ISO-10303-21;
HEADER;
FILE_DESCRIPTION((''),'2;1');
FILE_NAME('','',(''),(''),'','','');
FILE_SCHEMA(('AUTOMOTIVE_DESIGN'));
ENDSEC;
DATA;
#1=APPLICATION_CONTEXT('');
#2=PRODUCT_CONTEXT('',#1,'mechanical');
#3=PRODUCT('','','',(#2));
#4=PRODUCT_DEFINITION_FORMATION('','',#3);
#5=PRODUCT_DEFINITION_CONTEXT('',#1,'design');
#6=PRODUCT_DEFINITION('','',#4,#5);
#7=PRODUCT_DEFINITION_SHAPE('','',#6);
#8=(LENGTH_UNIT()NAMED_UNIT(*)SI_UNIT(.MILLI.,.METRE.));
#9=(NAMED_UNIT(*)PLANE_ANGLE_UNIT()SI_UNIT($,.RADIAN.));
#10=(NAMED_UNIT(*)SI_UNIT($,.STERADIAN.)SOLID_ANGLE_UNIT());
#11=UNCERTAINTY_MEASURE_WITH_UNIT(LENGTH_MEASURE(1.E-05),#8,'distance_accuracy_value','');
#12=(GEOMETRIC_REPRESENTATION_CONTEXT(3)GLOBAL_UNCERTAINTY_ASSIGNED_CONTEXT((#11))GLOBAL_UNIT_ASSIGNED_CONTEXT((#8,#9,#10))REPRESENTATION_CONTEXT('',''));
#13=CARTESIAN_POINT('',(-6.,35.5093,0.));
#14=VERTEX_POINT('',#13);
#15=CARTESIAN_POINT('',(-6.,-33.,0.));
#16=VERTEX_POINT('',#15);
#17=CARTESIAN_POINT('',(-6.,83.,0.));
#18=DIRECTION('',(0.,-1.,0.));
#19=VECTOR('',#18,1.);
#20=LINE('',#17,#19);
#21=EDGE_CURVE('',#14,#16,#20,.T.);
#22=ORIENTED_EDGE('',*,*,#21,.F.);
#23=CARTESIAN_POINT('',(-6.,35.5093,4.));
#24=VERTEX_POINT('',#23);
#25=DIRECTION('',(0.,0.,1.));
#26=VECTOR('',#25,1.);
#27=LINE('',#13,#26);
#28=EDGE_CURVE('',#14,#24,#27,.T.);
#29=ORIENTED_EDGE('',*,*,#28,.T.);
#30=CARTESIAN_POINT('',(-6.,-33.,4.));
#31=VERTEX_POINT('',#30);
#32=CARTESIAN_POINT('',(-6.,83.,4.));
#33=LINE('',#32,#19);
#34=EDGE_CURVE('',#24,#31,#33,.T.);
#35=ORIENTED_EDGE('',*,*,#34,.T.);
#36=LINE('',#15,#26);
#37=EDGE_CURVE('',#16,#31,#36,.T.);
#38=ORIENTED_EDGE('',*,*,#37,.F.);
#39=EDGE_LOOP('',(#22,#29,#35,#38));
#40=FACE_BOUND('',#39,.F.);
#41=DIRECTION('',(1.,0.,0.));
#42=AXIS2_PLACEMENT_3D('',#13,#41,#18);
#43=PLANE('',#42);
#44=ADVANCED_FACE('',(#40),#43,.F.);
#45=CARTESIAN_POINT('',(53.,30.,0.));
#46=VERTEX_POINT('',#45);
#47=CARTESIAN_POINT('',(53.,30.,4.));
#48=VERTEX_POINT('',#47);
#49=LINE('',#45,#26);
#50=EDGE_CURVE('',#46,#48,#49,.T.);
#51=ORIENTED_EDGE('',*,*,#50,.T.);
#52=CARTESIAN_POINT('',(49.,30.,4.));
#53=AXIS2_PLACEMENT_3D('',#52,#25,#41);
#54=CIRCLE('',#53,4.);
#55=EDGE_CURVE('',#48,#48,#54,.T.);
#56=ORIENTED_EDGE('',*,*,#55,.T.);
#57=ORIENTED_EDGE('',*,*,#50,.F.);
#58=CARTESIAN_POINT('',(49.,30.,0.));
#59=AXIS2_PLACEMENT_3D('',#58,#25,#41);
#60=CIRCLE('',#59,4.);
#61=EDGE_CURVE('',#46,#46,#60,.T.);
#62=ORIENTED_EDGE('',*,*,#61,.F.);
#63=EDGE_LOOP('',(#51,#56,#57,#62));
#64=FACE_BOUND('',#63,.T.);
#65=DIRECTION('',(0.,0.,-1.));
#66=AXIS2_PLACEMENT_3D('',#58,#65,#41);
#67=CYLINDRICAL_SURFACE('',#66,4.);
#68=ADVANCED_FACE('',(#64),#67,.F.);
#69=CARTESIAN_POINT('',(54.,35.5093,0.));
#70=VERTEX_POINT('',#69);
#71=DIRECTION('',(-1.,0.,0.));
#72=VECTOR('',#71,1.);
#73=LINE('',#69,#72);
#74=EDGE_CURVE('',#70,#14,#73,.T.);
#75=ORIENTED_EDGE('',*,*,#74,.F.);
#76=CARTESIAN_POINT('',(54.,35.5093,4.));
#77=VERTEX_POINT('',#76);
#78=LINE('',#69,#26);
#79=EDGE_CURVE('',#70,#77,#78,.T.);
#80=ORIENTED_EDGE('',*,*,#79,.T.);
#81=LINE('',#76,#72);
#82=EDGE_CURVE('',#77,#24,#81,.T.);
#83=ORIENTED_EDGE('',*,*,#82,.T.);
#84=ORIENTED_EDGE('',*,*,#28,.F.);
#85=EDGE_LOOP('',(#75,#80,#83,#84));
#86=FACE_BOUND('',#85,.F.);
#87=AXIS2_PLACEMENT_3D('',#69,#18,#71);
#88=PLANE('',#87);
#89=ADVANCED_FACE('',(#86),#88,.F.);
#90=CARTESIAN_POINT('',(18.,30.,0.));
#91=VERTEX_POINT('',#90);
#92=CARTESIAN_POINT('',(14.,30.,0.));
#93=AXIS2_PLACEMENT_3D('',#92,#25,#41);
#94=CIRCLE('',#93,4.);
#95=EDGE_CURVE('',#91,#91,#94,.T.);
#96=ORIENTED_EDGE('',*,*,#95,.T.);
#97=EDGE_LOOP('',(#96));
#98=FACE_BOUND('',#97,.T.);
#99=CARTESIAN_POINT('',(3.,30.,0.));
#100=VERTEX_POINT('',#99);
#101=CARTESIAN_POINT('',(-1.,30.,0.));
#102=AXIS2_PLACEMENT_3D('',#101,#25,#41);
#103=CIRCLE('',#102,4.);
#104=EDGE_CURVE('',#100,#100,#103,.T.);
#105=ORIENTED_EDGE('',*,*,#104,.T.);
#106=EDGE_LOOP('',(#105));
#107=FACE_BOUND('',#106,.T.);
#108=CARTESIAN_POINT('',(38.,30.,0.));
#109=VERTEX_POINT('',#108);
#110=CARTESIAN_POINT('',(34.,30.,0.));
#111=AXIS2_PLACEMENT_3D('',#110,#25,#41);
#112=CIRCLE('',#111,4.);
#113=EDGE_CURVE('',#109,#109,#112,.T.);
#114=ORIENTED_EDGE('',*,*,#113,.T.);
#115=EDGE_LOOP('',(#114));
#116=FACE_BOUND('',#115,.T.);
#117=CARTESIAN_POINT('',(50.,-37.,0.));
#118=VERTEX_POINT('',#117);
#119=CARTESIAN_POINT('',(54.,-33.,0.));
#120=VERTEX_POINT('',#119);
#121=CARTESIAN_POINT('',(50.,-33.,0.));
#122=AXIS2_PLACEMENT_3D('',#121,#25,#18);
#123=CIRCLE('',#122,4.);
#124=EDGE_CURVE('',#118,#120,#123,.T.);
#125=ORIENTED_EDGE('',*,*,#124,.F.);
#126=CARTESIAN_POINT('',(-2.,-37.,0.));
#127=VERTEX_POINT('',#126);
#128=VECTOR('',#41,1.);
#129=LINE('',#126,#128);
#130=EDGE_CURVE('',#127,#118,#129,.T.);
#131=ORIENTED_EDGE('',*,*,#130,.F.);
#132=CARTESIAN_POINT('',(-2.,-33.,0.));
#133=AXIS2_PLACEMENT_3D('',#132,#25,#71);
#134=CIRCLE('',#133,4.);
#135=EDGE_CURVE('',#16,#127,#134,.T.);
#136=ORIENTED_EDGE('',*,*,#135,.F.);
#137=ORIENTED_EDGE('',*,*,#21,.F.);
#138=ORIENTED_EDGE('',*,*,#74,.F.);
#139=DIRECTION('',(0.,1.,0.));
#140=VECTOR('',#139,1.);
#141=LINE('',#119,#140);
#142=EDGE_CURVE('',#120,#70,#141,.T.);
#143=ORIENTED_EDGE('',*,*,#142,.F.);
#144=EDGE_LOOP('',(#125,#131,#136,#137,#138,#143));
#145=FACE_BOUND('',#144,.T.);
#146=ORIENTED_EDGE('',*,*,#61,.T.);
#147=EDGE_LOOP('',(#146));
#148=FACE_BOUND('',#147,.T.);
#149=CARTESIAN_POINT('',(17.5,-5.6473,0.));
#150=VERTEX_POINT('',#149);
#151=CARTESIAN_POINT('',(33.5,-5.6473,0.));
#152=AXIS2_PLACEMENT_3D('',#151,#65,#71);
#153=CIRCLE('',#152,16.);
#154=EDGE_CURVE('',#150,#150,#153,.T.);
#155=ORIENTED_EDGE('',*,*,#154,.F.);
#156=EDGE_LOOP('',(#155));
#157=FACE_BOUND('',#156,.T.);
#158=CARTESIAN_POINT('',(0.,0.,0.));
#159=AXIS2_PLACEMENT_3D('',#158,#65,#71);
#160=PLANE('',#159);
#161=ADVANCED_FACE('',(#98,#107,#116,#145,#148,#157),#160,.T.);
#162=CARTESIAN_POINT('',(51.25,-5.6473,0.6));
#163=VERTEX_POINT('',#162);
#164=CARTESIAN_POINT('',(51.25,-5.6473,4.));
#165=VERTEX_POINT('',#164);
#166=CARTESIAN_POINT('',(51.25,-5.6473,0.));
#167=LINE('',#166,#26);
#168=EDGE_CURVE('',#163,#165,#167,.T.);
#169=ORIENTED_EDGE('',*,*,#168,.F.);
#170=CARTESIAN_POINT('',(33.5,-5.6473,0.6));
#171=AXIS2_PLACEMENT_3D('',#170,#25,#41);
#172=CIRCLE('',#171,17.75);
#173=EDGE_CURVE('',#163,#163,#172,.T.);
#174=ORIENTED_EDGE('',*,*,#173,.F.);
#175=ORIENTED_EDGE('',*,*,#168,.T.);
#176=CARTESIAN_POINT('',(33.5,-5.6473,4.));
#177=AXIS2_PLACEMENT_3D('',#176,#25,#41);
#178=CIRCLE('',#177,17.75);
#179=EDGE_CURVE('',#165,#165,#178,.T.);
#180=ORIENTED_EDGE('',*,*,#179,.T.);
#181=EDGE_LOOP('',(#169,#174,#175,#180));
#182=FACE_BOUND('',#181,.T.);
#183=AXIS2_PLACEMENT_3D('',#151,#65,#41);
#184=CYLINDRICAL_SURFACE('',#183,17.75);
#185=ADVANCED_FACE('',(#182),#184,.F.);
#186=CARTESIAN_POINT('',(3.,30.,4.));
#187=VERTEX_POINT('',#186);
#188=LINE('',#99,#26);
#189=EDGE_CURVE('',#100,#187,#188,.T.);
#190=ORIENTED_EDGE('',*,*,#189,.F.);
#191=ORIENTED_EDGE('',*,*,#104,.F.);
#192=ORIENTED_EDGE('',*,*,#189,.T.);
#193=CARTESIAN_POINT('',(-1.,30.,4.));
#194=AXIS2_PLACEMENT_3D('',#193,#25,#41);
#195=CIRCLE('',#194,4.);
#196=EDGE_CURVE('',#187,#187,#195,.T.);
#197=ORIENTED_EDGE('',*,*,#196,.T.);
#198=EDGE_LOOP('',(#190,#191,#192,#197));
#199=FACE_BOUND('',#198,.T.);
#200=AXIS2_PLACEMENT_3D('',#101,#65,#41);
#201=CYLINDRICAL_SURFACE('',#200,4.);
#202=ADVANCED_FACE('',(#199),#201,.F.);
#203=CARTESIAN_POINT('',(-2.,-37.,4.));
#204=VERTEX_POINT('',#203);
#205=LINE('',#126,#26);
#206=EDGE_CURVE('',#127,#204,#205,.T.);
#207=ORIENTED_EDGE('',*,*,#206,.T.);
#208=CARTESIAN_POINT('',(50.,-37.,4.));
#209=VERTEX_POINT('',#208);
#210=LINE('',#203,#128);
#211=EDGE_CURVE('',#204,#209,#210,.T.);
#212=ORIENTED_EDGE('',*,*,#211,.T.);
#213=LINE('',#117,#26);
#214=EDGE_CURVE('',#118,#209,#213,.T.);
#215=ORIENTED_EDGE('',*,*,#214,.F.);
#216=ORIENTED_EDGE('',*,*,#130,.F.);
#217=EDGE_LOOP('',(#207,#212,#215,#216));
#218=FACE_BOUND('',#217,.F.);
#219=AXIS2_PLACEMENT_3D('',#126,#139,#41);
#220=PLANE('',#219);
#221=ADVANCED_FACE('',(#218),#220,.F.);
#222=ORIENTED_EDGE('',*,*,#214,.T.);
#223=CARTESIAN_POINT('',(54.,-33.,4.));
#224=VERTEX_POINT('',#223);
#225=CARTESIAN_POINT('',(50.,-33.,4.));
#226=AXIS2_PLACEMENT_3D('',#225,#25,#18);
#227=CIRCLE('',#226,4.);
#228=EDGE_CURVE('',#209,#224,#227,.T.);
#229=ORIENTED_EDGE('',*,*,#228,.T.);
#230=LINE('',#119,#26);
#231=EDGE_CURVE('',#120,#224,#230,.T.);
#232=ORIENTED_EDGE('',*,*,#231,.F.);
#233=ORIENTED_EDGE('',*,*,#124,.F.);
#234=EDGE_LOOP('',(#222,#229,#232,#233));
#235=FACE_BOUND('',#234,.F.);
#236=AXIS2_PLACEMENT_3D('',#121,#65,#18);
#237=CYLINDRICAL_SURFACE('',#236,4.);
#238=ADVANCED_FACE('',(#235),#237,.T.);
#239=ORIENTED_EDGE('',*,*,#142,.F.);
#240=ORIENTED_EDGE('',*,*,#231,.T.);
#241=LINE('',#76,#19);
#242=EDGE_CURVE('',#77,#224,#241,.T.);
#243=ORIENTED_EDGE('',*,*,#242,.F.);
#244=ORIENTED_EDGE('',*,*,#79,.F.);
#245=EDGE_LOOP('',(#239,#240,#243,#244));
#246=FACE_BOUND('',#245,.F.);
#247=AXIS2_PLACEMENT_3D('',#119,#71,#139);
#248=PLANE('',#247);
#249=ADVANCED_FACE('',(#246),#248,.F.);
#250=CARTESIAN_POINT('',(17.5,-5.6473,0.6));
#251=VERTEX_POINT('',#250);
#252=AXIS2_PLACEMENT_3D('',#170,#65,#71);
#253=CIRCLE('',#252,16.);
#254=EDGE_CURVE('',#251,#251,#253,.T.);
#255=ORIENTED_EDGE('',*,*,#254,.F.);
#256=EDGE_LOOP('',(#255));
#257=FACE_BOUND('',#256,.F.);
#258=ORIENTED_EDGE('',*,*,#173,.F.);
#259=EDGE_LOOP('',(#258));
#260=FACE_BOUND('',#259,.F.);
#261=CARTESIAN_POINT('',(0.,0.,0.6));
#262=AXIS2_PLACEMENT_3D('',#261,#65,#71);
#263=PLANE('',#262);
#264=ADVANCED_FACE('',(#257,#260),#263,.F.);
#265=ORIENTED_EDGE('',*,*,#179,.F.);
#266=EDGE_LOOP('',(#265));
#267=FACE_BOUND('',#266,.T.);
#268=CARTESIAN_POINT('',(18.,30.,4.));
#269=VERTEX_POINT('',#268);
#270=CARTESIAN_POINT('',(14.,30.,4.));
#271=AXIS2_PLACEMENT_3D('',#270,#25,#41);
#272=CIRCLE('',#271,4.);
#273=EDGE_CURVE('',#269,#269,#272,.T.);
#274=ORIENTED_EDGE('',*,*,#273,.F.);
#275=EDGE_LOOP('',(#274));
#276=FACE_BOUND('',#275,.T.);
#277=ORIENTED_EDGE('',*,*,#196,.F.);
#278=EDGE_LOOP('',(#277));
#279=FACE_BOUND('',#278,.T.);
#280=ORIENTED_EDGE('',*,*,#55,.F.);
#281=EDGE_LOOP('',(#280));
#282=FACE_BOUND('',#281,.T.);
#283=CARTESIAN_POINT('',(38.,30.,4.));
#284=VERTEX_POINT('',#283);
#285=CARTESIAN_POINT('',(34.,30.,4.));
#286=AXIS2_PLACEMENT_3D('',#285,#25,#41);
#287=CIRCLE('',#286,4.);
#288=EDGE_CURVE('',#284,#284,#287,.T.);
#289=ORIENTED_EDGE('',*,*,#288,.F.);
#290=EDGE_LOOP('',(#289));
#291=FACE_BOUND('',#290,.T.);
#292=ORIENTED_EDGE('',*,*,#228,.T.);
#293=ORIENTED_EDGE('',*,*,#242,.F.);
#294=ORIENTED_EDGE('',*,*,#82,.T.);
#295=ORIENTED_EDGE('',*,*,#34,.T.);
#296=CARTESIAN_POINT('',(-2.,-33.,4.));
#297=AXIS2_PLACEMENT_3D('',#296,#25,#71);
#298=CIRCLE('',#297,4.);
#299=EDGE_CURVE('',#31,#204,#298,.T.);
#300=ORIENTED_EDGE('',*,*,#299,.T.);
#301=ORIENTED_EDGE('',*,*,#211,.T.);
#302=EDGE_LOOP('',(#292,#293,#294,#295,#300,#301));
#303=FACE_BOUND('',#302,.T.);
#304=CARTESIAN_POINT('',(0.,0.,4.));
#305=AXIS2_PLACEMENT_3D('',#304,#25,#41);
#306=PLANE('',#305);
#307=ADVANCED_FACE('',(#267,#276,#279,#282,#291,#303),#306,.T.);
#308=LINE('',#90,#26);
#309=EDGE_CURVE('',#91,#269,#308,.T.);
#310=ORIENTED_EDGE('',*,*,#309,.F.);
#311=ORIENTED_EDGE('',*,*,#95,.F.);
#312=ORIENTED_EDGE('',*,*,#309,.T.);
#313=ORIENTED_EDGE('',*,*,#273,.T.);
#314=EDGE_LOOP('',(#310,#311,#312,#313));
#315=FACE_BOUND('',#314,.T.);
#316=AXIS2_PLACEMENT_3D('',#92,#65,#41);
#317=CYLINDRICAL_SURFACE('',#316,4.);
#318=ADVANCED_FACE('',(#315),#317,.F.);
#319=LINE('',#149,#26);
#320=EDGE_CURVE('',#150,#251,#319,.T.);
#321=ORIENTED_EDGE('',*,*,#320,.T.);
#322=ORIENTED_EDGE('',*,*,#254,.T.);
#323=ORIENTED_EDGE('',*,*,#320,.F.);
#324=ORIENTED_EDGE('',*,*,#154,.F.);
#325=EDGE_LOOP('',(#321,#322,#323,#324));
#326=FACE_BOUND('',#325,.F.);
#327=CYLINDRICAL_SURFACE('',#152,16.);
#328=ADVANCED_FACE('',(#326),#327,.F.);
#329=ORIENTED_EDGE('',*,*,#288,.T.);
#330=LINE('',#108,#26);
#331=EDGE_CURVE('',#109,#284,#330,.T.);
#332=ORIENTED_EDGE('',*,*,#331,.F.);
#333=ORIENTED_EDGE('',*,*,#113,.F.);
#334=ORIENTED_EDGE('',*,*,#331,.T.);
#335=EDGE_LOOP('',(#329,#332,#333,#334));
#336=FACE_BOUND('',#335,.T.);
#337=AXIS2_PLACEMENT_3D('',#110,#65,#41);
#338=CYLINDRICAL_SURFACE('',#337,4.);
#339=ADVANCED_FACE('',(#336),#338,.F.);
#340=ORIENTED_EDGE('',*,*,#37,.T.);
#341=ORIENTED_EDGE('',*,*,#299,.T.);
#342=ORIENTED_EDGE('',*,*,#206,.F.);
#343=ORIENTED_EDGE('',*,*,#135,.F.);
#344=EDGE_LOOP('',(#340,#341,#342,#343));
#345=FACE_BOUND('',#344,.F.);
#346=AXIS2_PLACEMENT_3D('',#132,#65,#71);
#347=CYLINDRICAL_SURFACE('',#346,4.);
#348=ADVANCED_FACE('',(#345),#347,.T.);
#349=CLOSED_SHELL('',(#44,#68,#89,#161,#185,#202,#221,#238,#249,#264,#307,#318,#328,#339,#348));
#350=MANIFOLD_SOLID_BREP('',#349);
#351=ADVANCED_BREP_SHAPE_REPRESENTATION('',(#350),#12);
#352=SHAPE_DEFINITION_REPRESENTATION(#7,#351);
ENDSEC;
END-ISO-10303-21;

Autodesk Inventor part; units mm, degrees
ref_plane "YZ Plane" through (0, 0, 0) normal (1, 0, 0) x (0, 1, 0)
ref_plane "XZ Plane" through (0, 0, 0) normal (0, 1, 0) x (-1, 0, 0)
ref_plane "XY Plane" through (0, 0, 0) normal (0, 0, 1) x (1, 0, 0)
ref_plane "Work Plane1" through (0, 0, 0) normal (0, 0, 1) x (1, 0, 0)
ref_plane "Work Plane2" through (0, 0, 0) normal (0, 0, 1) x (1, 0, 0)
sketch "Sketch2" plane through (0, 0, 0) normal (0, 0, 1) x (1, 0, 0)
  circle A0 centre (24, 55) radius 16 projected
  circle A1 centre (49, 30) radius 4 projected
  circle A2 centre (-1, 80) radius 4 projected
  circle A3 centre (34, 30) radius 4 projected
  circle A4 centre (49, 65) radius 4 projected
  circle A5 centre (14, 80) radius 4 projected
  circle A6 centre (-1, 45) radius 4 projected
  circle A7 centre (-1, 65) radius 4 projected
  circle A8 centre (34, 80) radius 4 projected
  circle A9 centre (49, 45) radius 4 projected
  circle A10 centre (14, 30) radius 4 projected
  circle A11 centre (-1, 30) radius 4 projected
  circle A12 centre (49, 80) radius 4 projected
  arc A13 (54, -29) -> (50, -25) centre (50, -29) ccw projected
  line L0 (50, -25) -> (10, -25) projected
  arc A14 (6, -21) -> (10, -25) centre (10, -21) ccw projected
  line L1 (6, -21) -> (6, 21) projected
  arc A15 (10, 25) -> (6, 21) centre (10, 21) ccw projected
  line L2 (10, 25) -> (52, 25) projected
  line L3 (52, 25) -> (54, 27) projected
  line L4 (54, 27) -> (54, 83) projected
  line L5 (54, 83) -> (52, 85) projected
  line L6 (52, 85) -> (-4, 85) projected
  line L7 (-4, 85) -> (-6, 83) projected
  line L8 (-6, 83) -> (-6, -33) projected
  arc A16 (-6, -33) -> (-2, -37) centre (-2, -33) ccw projected
  line L9 (-2, -37) -> (50, -37) projected
  arc A17 (50, -37) -> (54, -33) centre (50, -33) ccw projected
  line L10 (54, -33) -> (54, -29) projected
  line L11 (54, 35.5093) -> (-6, 35.5093)
  line L12 (54, 27) -> (54, -29)
  circle A18 centre (33.5, 2.5) radius 17.5 construction
  circle A19 centre (33.5, -5.6473) radius 17.75
  point P0 (0, 0)
  dimension "d11" = 35.5
extrude "Extrusion2" add sketch "Sketch2" along normal blind 4 contours L10 A17 L9 A16 L8 L11 L4 L3 L2 A15 L1 A14 L0 A13 | A13 L0 A14 L1 A15 L2 L3 L12
sketch "Sketch3" plane through (0, 0, 0) normal (0, 0, -1) x (-1, 0, 0)
  circle A0 centre (-33.5, -5.6473) radius 17.75 projected
  circle A1 centre (-33.5, -5.6473) radius 16
  point P0 (0, 0)
  point P1 (-33.5, 2.5)
  dimension "d12" = 32
extrude "Extrusion3" add sketch "Sketch3" against normal blind 0.6
properties part number "30_XY_Sample_arm_35mmadapter"
